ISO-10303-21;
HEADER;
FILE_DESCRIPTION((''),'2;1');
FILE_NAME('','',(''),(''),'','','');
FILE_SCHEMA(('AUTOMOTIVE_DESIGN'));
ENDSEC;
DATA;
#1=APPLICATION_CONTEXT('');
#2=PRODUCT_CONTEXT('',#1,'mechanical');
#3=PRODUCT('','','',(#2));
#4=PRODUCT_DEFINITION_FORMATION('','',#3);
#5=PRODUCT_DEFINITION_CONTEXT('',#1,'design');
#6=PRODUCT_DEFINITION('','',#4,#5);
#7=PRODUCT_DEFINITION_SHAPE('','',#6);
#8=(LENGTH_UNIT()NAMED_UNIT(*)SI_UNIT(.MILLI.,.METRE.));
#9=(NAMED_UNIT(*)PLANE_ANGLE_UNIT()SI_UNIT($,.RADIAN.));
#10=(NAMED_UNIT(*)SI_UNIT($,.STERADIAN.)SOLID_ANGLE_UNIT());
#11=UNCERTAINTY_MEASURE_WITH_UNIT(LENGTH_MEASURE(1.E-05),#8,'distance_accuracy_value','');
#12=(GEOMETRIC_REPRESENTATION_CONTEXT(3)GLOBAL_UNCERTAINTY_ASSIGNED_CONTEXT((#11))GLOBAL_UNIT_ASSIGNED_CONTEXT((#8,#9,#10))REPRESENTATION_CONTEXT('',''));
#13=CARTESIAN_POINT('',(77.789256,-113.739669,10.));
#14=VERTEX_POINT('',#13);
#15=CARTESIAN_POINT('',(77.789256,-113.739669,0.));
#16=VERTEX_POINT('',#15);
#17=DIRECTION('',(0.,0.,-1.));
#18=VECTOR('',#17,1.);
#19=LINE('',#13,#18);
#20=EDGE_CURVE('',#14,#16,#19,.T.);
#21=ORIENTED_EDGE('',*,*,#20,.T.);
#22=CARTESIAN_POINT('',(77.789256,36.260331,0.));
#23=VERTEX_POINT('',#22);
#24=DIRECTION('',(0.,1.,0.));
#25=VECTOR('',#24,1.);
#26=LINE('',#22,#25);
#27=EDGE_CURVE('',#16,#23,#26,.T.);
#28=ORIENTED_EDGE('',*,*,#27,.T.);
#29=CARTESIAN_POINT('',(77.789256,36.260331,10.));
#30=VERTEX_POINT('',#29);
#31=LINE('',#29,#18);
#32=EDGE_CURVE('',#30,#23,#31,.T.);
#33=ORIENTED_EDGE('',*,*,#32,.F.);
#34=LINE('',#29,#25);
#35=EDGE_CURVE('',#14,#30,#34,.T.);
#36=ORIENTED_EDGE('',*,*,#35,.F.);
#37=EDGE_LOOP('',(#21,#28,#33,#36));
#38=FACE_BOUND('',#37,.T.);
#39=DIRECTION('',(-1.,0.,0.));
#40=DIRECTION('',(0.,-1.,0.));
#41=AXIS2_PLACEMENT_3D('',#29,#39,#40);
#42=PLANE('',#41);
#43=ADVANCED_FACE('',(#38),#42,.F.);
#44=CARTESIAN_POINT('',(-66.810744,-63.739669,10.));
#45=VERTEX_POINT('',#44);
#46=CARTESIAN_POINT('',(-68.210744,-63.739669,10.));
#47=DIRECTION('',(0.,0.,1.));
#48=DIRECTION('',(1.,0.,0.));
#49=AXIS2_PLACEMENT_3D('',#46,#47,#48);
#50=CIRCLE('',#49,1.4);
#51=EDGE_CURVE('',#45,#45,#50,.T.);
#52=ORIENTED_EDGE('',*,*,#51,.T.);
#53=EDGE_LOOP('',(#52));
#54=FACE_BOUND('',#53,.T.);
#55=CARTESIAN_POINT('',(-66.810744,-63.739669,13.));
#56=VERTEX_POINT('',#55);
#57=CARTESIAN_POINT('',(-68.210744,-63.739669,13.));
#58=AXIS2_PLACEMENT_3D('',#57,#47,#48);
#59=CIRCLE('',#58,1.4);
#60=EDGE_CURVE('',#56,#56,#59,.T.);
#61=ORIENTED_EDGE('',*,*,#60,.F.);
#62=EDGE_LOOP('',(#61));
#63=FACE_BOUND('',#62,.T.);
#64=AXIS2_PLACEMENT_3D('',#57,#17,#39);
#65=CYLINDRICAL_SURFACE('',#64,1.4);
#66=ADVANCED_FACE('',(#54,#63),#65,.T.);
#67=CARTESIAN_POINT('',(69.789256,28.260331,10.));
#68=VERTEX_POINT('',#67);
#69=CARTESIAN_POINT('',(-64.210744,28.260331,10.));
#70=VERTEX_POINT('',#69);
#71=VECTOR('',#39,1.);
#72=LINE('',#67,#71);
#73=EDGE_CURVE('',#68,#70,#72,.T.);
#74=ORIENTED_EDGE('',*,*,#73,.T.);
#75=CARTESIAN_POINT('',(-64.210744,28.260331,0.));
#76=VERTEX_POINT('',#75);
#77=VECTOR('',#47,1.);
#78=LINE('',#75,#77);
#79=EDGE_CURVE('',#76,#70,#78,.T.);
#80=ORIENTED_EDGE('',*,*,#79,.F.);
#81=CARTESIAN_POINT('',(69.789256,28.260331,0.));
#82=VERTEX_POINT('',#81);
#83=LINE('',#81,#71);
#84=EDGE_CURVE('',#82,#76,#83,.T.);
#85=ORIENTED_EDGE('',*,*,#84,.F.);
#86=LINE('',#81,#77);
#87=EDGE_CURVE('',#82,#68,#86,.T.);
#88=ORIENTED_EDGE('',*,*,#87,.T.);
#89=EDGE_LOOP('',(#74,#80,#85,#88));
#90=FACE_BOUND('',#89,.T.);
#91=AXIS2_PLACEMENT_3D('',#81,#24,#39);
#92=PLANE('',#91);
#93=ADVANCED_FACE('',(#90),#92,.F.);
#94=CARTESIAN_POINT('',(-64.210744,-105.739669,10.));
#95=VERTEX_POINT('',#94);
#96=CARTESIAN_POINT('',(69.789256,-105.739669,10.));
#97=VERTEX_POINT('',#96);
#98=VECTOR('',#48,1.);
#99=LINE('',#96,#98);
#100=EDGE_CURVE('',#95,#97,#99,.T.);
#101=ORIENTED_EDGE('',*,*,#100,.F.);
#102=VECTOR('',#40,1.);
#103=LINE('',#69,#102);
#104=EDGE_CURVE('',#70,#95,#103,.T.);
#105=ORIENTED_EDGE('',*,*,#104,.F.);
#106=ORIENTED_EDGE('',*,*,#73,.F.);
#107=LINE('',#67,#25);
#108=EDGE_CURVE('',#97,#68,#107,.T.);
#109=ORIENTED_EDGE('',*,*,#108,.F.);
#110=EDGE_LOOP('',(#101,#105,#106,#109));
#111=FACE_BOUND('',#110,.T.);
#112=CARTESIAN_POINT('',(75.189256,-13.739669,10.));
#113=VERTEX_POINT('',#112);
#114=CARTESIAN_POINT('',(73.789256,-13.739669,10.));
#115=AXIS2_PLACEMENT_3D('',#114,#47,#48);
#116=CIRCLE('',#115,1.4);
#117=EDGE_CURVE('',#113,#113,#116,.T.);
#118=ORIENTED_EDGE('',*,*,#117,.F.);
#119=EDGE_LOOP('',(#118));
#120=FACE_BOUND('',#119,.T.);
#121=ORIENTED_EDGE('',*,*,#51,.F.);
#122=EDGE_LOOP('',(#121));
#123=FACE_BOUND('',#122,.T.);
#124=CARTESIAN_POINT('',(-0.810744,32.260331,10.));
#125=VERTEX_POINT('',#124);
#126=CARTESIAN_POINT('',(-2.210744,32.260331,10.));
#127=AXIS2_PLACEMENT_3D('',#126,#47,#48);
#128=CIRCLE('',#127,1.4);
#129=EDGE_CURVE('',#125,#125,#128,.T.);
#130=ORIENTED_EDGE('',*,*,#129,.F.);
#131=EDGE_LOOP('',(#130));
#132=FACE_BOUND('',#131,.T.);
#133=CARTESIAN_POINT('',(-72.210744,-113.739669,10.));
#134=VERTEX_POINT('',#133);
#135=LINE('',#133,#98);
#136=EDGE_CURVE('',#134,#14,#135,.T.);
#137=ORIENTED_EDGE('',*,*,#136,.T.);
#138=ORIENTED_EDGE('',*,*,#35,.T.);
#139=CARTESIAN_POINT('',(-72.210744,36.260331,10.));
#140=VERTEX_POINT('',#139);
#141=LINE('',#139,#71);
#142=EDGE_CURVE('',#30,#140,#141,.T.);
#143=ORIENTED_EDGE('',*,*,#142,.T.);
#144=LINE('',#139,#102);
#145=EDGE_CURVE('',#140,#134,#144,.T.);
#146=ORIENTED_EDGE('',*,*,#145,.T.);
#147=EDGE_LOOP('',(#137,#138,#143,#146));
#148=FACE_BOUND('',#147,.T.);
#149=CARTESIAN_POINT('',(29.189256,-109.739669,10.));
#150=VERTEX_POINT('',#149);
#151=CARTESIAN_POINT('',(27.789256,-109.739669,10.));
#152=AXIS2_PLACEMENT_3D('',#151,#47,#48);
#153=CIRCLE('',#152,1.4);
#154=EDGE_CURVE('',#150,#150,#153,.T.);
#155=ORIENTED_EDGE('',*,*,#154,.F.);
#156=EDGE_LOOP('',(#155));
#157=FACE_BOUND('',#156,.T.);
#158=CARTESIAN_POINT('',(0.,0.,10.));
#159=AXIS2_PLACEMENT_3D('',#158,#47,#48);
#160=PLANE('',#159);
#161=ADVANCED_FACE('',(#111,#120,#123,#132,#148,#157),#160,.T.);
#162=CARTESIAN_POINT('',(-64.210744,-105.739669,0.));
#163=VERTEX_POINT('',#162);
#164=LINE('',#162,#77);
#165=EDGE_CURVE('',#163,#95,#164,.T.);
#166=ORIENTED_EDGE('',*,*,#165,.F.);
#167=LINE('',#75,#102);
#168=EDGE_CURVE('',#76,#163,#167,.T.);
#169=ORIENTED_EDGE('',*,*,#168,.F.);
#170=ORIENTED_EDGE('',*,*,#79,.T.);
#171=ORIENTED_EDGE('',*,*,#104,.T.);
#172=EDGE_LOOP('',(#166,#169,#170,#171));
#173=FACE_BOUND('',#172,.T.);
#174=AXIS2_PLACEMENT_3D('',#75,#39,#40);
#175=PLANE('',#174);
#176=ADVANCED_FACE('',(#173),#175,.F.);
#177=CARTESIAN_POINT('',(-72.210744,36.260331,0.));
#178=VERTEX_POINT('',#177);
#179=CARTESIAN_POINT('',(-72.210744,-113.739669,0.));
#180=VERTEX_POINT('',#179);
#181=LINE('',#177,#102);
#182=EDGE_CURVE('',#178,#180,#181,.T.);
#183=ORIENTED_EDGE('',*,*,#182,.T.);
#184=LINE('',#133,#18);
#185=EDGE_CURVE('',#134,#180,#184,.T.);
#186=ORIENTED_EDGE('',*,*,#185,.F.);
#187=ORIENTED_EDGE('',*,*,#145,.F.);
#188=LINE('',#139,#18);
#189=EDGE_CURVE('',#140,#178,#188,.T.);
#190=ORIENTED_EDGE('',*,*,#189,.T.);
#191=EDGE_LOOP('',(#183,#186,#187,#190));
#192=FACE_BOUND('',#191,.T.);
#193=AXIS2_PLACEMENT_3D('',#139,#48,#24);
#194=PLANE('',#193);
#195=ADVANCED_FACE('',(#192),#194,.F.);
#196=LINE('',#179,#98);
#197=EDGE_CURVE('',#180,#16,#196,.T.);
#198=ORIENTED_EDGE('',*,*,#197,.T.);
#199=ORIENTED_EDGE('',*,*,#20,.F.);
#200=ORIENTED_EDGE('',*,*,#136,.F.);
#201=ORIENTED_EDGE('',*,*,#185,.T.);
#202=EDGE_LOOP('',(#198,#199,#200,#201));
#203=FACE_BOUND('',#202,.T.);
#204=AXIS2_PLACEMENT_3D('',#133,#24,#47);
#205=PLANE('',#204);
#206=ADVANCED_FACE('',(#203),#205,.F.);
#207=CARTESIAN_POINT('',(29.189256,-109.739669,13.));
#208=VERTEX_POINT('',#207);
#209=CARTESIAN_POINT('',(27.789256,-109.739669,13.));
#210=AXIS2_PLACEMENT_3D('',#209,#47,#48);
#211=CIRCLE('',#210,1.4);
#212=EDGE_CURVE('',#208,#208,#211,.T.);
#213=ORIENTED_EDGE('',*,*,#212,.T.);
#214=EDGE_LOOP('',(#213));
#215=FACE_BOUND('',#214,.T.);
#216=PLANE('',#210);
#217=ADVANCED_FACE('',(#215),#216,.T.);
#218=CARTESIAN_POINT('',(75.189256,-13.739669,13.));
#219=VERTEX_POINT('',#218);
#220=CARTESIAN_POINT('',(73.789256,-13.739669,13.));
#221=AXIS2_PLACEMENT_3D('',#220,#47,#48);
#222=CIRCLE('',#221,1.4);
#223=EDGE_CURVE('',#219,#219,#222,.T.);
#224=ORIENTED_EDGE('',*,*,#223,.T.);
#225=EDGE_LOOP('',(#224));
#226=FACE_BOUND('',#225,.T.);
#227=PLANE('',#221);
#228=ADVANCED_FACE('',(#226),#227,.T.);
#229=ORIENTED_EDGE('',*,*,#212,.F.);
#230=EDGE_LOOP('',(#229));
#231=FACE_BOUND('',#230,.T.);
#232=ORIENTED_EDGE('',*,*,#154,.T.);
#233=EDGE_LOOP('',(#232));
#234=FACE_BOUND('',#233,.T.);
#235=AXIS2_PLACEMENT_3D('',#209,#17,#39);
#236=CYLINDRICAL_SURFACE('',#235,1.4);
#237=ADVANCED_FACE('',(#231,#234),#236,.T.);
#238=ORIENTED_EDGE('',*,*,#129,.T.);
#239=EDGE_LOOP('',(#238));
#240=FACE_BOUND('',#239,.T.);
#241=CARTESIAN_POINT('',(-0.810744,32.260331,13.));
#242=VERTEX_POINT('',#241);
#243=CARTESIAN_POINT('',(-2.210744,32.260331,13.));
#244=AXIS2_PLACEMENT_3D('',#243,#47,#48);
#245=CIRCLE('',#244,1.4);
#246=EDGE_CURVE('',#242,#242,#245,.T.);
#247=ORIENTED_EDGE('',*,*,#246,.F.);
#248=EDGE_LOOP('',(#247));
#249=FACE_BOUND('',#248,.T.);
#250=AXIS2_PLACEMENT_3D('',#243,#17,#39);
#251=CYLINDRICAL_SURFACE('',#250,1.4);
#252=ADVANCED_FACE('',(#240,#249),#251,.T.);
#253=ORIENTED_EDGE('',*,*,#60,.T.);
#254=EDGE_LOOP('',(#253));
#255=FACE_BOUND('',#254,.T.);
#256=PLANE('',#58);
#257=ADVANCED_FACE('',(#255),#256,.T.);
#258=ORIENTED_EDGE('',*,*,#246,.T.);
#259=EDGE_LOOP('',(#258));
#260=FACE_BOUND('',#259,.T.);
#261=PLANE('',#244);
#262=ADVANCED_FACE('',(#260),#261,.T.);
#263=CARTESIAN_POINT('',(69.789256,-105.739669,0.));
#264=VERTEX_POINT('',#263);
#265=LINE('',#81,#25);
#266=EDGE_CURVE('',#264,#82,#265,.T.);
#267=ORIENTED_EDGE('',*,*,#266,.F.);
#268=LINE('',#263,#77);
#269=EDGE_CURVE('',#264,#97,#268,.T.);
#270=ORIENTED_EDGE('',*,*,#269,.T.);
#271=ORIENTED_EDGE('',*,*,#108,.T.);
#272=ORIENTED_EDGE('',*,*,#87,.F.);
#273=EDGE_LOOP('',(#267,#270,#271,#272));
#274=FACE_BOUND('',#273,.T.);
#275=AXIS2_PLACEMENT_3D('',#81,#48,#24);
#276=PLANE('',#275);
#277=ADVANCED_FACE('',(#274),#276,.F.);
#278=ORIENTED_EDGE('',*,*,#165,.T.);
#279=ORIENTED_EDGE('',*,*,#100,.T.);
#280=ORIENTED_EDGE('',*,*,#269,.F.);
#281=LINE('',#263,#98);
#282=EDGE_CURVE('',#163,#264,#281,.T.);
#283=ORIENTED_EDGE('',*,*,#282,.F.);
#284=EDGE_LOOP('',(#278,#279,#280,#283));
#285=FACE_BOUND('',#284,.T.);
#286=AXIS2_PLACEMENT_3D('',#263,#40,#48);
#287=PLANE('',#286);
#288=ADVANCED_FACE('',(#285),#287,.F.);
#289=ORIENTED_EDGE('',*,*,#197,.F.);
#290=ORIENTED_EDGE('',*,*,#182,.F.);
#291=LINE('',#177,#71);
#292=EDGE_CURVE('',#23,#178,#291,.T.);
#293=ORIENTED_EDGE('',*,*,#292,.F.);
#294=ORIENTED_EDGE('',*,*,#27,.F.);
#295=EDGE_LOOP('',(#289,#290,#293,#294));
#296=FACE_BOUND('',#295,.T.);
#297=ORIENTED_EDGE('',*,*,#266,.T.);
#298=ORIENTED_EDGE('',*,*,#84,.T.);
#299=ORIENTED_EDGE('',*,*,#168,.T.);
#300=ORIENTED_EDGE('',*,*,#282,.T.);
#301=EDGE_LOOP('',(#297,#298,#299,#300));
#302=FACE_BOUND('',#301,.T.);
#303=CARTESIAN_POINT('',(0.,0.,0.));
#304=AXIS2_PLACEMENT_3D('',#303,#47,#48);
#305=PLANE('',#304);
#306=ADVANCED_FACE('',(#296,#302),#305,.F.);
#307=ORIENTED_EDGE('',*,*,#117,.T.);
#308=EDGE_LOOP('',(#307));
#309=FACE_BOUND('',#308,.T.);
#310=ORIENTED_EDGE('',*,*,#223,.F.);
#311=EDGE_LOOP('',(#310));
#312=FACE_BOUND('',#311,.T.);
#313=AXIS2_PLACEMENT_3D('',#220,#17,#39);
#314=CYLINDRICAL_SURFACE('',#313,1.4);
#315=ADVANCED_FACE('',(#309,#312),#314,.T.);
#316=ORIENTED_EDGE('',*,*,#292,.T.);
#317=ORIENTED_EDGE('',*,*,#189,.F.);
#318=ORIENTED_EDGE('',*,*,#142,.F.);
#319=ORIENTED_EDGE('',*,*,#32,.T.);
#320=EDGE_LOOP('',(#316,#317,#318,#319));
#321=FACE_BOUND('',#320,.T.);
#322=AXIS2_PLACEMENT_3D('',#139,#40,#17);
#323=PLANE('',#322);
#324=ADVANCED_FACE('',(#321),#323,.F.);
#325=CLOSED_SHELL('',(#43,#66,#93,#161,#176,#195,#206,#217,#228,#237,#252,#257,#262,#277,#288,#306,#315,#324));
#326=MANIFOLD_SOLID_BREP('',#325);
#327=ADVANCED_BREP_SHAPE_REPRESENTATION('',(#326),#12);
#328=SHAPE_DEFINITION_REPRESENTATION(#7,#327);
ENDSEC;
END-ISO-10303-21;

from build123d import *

# Parameters (mm, degrees)
SKETCH1_W           = 150
SKETCH1_H           = 150
BOSS_EXTRUDE1_DEPTH = 10
SKETCH2_W           = 134
SKETCH2_H           = 134
CUT_EXTRUDE1_DEPTH  = 139.158896854
SKETCH3_R           = 1.4
BOSS_EXTRUDE2_DEPTH = 3


with BuildPart() as part:
    # Sketch1 → Boss-Extrude1 (new body)
    with BuildSketch(Plane.XY):
        with Locations((2.789256198, -38.739669421)):
            Rectangle(SKETCH1_W, SKETCH1_H)
    extrude(amount=BOSS_EXTRUDE1_DEPTH)

    # Sketch2 → Cut-Extrude1 (cut, through all)
    with BuildSketch(Plane.XY.offset(10)):
        with Locations((2.789256198, -38.739669421)):
            Rectangle(SKETCH2_W, SKETCH2_H)
    extrude(amount=-CUT_EXTRUDE1_DEPTH, mode=Mode.SUBTRACT)

    # Sketch3 → Boss-Extrude2 (add)
    with BuildSketch(Plane.XY.offset(10)):
        with Locations((73.789256198, -13.739669421)):
            Circle(SKETCH3_R)
        with Locations((27.789256198, -109.739669421)):
            Circle(SKETCH3_R)
        with Locations((-68.210743802, -63.739669421)):
            Circle(SKETCH3_R)
        with Locations((-2.210743802, 32.260330579)):
            Circle(SKETCH3_R)
    extrude(amount=BOSS_EXTRUDE2_DEPTH)


solid = part.part
